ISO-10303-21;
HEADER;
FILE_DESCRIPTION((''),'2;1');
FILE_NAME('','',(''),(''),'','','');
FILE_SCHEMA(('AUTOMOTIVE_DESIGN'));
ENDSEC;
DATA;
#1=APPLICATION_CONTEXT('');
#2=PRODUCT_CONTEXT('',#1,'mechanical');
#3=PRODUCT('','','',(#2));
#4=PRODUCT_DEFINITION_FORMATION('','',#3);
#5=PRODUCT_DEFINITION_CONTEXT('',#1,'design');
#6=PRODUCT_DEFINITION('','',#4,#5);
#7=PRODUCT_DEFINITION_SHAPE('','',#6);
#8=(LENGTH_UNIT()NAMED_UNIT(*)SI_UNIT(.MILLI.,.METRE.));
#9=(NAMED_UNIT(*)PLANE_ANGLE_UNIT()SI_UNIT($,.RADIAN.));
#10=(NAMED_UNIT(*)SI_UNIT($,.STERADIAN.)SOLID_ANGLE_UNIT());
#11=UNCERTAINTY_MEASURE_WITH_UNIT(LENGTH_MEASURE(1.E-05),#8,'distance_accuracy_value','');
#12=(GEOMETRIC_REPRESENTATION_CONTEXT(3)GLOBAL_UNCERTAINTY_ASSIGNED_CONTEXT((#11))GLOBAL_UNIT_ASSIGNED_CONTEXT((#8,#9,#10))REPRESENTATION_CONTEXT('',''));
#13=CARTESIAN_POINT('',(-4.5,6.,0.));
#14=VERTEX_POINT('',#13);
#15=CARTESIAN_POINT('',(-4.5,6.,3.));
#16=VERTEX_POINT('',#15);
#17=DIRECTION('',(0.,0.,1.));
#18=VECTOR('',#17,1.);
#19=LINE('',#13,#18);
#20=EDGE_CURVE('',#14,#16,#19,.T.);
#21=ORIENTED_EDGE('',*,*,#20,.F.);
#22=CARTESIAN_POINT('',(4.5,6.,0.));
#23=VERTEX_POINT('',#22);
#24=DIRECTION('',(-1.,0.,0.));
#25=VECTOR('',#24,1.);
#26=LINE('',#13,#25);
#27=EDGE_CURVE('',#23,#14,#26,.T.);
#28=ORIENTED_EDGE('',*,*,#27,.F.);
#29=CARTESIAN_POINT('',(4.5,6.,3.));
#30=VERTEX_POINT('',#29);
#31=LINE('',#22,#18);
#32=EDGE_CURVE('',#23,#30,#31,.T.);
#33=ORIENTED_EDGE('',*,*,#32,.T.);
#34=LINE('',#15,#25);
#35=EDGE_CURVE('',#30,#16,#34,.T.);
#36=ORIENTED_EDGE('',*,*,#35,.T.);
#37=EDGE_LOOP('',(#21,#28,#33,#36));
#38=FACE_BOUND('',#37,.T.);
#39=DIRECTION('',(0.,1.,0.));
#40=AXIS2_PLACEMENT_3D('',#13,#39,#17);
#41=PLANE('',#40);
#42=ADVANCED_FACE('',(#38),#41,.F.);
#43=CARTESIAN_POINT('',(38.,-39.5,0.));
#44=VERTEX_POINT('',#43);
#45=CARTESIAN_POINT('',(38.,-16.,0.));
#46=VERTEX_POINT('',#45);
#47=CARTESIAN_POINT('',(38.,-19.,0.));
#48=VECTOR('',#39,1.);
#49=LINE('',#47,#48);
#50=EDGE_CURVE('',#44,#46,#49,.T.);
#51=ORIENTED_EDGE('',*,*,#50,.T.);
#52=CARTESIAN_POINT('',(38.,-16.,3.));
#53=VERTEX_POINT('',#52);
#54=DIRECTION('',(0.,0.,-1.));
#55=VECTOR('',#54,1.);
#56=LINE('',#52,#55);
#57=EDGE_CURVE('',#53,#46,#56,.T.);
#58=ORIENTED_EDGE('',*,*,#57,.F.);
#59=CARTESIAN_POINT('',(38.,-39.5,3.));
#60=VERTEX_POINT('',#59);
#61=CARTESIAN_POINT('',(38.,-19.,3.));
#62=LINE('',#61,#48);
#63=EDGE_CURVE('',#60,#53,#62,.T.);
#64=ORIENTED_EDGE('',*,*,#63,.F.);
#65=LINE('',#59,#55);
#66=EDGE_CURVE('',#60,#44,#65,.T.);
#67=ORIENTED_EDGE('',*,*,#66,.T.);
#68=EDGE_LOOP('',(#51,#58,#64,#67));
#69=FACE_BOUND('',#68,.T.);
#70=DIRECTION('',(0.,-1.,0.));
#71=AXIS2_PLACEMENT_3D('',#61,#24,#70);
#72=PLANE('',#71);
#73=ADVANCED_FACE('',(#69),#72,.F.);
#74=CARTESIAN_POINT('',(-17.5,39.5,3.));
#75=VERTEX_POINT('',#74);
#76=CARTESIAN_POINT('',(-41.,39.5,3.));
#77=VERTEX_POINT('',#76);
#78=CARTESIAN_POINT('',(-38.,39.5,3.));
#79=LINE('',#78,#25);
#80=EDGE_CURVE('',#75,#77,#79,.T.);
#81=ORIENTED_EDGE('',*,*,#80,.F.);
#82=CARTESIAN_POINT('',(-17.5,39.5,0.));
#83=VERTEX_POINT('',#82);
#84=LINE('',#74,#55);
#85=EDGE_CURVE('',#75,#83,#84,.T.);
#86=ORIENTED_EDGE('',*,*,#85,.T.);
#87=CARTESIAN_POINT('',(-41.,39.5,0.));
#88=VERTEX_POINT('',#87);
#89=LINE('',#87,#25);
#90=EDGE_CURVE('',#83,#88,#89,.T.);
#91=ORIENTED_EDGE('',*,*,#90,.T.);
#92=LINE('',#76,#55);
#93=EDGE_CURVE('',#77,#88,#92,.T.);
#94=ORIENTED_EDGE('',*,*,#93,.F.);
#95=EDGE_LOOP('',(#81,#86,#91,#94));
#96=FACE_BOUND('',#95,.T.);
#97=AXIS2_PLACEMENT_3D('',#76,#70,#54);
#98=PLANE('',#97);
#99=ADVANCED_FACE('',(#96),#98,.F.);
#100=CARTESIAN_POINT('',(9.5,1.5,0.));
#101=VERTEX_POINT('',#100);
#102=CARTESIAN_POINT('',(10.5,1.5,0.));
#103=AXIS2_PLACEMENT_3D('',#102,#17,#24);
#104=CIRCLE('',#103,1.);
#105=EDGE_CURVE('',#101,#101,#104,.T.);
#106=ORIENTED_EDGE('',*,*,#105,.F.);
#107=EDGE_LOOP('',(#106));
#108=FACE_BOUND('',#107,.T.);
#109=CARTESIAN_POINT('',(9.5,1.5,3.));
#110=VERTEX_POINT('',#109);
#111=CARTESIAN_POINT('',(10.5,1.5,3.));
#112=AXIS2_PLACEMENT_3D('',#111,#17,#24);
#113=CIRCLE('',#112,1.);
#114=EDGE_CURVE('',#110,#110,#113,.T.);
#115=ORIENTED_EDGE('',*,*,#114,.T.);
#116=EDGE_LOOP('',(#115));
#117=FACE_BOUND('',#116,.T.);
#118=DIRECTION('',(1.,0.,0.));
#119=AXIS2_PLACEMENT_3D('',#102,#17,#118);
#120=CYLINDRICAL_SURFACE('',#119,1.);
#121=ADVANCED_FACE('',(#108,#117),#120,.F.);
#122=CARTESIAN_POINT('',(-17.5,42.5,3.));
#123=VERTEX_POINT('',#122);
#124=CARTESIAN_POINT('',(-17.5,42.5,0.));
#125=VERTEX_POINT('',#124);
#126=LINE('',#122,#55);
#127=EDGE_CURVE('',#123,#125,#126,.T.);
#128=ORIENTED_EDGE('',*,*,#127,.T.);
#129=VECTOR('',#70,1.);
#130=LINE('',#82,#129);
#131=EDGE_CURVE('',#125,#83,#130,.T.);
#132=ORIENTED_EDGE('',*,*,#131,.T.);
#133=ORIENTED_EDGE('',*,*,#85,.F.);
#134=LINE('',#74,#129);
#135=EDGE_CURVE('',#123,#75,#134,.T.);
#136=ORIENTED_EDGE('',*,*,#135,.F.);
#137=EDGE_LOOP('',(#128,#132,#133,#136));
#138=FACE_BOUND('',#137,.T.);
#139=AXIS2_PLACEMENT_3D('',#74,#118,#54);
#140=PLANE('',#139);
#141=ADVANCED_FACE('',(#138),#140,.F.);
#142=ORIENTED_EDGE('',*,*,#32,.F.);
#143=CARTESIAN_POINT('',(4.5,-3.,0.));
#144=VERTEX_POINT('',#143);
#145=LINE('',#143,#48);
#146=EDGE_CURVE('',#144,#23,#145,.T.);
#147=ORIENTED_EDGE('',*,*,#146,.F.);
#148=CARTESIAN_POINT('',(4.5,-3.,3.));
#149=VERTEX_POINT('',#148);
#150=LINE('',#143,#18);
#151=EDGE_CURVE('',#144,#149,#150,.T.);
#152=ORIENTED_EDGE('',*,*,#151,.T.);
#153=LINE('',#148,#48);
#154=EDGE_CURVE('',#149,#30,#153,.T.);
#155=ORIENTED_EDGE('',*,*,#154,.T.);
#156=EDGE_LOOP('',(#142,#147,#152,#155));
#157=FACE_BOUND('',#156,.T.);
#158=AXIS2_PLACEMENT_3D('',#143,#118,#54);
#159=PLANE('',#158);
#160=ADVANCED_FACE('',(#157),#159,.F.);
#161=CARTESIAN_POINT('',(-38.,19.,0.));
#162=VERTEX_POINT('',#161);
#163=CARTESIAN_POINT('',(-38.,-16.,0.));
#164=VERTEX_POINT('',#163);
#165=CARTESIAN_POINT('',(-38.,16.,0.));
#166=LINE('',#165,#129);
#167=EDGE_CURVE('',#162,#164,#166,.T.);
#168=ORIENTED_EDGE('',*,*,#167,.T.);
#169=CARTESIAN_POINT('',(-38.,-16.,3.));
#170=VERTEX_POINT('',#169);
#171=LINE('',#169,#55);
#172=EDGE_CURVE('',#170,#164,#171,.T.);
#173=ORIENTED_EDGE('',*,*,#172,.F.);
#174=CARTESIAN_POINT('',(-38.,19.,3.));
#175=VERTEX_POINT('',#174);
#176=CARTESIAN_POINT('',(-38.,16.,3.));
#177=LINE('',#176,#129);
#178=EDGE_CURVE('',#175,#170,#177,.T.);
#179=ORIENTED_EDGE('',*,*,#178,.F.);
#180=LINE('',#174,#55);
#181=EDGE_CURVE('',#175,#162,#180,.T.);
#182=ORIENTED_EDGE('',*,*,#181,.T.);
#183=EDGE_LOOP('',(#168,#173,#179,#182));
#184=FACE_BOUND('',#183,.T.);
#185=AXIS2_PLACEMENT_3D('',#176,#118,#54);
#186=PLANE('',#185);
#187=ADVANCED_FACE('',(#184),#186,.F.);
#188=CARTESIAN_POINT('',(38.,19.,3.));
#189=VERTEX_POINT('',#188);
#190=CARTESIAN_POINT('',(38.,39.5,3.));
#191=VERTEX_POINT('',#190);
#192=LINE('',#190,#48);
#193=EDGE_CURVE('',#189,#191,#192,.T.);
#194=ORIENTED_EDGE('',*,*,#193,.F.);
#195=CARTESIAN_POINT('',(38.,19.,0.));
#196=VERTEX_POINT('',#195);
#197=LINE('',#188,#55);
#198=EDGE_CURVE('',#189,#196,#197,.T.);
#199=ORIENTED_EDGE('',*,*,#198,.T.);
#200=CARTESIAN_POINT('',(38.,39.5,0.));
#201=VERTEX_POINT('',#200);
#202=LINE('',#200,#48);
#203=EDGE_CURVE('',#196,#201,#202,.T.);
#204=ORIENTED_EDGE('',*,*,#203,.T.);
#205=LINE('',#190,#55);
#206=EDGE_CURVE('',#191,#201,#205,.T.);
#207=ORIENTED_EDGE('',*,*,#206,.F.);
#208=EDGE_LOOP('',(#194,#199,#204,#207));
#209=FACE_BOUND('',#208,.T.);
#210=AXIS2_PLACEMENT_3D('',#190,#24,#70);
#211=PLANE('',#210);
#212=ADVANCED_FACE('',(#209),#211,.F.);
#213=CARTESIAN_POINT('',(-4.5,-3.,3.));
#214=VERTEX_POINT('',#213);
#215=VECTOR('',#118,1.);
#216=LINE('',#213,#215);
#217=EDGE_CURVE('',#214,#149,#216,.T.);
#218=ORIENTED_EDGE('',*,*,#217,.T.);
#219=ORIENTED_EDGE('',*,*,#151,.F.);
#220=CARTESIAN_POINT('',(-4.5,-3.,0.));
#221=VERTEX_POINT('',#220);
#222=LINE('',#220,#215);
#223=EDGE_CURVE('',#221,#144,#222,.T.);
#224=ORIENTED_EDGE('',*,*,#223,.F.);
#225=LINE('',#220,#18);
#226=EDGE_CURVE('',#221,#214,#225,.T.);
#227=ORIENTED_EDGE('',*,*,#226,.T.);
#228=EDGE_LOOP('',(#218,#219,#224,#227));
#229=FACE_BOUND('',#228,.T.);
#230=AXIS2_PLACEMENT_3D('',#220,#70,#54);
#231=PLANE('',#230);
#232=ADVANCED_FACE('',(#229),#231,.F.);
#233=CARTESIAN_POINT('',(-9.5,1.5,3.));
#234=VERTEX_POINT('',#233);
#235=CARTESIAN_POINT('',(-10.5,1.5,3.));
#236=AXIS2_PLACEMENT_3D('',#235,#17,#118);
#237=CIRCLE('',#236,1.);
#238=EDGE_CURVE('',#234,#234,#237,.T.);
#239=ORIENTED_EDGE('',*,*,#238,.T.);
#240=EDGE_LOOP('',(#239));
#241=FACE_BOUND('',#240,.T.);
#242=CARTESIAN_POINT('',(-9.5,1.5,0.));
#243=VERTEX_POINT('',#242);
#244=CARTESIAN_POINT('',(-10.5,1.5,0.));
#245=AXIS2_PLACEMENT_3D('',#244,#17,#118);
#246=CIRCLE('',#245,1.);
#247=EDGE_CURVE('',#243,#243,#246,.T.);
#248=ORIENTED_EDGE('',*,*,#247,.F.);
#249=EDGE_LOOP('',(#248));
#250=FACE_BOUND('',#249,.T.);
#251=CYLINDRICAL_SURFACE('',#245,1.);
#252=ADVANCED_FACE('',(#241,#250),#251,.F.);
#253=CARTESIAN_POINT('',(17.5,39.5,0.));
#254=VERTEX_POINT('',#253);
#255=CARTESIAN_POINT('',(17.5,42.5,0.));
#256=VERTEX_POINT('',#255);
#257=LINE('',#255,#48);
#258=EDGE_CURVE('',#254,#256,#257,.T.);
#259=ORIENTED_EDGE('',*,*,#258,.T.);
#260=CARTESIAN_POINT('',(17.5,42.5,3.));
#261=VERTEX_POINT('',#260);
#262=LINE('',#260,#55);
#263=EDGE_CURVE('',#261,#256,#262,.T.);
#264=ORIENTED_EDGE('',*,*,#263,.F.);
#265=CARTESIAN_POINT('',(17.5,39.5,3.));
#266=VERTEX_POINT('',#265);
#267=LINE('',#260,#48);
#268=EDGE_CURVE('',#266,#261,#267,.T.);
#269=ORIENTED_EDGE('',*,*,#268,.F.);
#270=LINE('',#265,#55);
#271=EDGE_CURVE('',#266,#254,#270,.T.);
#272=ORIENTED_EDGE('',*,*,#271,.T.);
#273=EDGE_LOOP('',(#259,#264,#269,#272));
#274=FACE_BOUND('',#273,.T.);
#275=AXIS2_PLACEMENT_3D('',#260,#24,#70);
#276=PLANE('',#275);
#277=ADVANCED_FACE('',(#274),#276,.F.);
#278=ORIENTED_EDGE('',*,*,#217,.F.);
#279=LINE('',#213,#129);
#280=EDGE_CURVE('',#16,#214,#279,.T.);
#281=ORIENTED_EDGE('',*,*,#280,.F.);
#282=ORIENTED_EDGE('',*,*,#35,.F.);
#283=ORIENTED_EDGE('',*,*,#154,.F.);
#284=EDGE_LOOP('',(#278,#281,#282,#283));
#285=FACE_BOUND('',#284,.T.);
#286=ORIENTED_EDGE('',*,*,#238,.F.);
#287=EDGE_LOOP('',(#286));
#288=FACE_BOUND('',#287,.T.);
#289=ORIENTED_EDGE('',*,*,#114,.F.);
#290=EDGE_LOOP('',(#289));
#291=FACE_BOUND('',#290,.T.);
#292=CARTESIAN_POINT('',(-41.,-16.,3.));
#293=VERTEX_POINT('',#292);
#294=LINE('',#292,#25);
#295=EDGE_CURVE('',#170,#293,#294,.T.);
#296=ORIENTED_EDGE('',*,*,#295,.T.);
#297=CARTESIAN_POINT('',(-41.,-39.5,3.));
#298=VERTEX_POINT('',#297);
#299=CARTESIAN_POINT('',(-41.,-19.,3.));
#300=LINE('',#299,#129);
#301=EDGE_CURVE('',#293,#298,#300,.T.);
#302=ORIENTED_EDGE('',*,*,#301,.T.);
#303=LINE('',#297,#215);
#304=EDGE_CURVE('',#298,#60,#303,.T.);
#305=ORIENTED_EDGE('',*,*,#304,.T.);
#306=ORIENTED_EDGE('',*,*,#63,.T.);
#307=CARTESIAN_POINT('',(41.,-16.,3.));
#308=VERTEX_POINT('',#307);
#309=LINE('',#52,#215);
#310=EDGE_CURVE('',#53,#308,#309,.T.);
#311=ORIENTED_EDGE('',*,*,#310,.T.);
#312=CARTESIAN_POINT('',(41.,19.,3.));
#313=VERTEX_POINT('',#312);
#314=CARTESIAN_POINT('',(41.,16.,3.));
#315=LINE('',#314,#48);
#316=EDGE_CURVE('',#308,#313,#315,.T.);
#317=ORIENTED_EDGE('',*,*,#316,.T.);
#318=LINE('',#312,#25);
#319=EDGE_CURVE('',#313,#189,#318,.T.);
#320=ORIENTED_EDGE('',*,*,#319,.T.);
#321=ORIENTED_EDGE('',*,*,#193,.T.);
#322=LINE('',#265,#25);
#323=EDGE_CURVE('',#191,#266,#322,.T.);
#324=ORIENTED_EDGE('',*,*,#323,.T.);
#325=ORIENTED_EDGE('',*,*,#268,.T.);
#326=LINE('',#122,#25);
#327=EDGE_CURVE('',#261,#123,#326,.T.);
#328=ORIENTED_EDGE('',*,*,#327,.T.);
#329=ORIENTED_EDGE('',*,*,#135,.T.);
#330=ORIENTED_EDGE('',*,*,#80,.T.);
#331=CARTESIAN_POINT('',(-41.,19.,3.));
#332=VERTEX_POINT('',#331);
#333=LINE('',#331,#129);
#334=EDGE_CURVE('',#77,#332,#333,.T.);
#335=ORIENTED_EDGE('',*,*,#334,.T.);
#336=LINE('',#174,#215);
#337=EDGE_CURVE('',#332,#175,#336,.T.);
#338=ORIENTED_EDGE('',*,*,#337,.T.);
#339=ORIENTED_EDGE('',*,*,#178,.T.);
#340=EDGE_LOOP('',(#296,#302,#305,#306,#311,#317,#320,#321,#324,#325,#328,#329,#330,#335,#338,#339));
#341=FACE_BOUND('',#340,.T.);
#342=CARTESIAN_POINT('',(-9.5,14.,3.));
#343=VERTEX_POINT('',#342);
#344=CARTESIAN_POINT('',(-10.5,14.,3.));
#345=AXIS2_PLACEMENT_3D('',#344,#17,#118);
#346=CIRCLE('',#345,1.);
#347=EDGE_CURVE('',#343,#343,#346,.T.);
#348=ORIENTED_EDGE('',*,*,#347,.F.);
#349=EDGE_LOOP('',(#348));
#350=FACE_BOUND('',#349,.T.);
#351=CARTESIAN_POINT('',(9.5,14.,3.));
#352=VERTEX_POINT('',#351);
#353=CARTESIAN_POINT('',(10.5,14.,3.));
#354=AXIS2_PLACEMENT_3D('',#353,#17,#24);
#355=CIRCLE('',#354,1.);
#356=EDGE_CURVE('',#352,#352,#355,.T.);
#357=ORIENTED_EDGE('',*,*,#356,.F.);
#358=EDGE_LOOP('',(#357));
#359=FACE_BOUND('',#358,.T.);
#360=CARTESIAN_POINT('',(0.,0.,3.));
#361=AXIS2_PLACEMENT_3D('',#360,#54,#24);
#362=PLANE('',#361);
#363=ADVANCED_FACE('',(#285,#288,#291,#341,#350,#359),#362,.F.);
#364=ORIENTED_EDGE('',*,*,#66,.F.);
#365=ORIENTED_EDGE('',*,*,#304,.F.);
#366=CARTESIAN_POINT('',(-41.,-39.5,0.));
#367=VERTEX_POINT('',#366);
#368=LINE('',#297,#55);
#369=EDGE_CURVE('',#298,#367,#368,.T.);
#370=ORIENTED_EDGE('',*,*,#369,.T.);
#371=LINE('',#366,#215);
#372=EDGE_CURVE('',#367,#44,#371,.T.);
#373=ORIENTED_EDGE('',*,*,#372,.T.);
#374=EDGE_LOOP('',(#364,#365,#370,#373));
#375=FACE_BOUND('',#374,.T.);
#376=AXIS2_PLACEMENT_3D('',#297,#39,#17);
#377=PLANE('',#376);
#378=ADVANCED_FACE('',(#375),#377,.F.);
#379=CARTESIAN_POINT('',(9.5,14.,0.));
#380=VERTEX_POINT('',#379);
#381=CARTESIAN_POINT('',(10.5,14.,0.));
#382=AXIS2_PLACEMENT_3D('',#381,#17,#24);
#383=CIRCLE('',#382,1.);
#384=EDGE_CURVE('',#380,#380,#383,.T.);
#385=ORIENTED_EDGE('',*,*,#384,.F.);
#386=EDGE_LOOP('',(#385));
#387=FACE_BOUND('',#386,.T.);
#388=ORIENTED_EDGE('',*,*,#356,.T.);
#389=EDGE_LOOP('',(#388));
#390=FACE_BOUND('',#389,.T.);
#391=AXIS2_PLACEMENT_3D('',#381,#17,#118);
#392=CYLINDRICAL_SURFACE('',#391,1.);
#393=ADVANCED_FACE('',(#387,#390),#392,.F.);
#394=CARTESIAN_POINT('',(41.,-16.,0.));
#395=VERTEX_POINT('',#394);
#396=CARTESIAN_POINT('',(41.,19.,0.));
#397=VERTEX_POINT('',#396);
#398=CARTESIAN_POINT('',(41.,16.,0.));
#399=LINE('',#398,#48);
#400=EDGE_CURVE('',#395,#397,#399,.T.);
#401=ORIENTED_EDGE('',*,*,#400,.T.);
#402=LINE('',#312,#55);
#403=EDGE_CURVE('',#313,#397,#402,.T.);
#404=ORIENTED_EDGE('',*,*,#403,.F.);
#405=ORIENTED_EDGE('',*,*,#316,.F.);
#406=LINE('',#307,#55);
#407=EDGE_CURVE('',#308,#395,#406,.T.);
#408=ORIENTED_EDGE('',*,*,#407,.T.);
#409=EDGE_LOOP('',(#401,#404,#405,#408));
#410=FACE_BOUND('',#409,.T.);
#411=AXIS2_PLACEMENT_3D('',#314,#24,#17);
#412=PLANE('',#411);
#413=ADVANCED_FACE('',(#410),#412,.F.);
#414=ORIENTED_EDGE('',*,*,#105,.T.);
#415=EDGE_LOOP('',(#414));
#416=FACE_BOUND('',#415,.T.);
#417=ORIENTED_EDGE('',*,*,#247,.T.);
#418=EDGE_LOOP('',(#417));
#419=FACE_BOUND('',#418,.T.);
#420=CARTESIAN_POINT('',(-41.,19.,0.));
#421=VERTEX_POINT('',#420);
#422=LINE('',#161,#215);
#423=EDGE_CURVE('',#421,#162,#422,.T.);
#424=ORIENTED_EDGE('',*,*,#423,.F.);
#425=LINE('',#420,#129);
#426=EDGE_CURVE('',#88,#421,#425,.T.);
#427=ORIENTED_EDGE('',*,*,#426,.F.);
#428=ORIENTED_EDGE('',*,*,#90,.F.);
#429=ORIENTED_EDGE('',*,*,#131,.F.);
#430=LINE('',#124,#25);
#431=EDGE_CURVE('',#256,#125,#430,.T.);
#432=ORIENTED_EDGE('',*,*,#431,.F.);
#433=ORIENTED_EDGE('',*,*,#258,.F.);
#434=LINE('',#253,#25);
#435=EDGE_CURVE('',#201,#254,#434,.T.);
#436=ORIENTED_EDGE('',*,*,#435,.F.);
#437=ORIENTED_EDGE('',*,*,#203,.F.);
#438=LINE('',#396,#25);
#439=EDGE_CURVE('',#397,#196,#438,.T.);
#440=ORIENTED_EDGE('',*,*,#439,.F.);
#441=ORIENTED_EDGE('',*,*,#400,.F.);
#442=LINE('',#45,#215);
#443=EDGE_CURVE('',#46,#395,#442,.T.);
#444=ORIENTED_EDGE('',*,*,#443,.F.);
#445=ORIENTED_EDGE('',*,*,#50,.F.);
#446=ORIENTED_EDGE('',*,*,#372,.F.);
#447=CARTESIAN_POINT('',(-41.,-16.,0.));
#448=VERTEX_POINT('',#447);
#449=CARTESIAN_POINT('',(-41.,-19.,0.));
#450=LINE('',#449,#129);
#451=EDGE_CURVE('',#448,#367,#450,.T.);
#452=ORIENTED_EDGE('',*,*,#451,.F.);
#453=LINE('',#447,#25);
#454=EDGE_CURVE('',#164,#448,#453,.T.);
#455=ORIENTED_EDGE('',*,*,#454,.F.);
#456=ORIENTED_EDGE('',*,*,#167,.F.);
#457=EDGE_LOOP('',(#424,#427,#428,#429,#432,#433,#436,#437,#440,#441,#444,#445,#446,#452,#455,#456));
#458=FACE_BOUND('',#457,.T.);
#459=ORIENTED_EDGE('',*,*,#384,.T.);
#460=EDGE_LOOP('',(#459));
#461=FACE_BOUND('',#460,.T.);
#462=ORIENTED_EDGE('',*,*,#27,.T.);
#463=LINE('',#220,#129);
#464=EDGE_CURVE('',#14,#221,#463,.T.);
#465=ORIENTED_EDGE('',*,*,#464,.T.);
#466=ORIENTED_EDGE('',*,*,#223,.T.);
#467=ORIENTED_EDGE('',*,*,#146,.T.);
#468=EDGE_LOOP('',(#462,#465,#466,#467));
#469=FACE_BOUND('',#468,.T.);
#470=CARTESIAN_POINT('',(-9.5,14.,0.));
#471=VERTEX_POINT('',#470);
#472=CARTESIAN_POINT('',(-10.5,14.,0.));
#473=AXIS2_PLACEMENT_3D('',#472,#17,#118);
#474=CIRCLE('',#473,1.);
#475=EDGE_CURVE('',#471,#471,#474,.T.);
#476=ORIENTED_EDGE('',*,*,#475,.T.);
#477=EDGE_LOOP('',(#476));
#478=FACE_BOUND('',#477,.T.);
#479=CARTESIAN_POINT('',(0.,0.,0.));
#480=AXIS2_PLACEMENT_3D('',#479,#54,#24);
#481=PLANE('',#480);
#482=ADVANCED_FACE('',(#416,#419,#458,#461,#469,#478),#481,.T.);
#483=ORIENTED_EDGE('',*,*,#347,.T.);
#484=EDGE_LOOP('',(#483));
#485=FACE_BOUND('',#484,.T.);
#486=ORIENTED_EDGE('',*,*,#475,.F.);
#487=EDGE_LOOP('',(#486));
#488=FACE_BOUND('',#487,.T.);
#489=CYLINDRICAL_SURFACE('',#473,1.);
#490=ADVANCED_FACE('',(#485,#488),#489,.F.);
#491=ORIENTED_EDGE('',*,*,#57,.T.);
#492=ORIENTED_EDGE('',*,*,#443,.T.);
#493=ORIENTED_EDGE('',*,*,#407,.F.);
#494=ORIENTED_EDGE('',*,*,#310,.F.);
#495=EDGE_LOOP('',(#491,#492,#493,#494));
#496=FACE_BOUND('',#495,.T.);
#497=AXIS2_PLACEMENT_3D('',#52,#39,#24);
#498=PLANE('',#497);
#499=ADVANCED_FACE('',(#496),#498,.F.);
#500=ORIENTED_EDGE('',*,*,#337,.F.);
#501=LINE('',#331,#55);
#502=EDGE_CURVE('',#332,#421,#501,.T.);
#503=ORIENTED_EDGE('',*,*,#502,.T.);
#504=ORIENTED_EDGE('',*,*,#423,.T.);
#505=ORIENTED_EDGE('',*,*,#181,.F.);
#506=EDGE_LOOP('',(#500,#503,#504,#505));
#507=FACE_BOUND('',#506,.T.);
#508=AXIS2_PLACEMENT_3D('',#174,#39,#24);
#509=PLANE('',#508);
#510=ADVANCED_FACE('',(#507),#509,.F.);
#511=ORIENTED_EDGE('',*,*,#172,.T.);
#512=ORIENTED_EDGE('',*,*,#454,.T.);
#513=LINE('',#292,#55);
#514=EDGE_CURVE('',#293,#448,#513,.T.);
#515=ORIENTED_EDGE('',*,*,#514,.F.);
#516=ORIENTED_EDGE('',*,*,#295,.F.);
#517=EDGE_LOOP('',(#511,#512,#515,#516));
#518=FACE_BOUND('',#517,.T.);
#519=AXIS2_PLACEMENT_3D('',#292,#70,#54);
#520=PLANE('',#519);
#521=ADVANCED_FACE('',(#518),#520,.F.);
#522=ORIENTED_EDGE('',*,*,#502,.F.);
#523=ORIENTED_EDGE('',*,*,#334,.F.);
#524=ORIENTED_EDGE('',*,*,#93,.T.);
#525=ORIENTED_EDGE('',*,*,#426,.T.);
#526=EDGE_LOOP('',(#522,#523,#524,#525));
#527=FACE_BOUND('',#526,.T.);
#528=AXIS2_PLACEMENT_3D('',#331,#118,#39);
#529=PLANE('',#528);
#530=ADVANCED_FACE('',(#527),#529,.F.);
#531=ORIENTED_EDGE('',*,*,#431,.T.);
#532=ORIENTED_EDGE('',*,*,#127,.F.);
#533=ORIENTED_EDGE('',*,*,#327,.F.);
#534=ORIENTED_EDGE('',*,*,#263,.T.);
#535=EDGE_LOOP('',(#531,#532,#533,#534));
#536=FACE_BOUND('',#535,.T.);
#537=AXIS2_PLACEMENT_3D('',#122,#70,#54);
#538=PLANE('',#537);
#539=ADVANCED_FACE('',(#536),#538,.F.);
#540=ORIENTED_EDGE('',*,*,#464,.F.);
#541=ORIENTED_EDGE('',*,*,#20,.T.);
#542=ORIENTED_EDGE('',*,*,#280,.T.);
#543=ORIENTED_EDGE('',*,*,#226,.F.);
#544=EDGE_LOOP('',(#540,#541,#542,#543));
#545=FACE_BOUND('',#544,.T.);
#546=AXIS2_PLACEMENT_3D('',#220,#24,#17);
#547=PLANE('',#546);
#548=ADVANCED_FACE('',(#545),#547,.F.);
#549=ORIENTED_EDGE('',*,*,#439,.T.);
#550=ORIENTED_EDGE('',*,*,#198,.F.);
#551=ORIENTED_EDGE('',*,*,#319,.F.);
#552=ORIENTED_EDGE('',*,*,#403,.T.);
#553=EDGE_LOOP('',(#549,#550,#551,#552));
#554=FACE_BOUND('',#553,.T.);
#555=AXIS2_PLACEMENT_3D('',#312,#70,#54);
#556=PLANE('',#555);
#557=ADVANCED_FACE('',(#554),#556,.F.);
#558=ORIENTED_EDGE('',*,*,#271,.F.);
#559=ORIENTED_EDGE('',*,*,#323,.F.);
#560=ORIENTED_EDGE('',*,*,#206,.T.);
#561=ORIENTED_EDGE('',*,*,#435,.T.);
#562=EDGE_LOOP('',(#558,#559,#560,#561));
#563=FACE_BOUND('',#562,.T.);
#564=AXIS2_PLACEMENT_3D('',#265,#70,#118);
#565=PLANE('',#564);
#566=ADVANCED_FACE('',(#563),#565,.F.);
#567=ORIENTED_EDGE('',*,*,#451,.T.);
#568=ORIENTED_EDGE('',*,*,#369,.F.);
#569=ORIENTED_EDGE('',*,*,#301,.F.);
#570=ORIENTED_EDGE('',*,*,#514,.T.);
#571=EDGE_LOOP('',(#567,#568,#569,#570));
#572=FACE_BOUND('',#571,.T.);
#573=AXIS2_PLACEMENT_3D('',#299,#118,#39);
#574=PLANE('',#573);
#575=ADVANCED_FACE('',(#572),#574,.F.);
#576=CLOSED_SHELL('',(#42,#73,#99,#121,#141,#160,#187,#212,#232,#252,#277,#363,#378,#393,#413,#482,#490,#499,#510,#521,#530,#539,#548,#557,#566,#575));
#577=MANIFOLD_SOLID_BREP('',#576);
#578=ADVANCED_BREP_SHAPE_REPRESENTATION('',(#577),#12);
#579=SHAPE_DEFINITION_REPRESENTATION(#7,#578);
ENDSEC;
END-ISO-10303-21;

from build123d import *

# Parameters (mm, degrees)
BOSS_EXTRUDE1_DEPTH = 3
SKETCH2_R           = 1
SKETCH2_W           = 9
SKETCH2_H           = 9
CUT_EXTRUDE1_DEPTH  = 3


with BuildPart() as part:
    # Sketch1 → Boss-Extrude1 (new body)
    with BuildSketch(Plane.XY):
        Polygon((-38, 39.5), (-17.5, 39.5), (-17.5, 42.5), (17.5, 42.5), (17.5, 39.5), (38, 39.5), (38, 19), (41, 19), (41, 16), (41, -16), (38, -16), (38, -19), (38, -39.5), (-41, -39.5), (-41, -19), (-41, -16), (-38, -16), (-38, 16), (-38, 19), (-41, 19), (-41, 39.5), align=None)
    extrude(amount=BOSS_EXTRUDE1_DEPTH)

    # Sketch2 → Cut-Extrude1 (cut)
    with BuildSketch(Plane.XY.offset(3)):
        with Locations((-10.5, 14)):
            Circle(SKETCH2_R)
        with Locations((-10.5, 1.5)):
            Circle(SKETCH2_R)
        with Locations((10.5, 1.5)):
            Circle(SKETCH2_R)
        with Locations((10.5, 14)):
            Circle(SKETCH2_R)
        with Locations((0, 1.5)):
            Rectangle(SKETCH2_W, SKETCH2_H)
    extrude(amount=-CUT_EXTRUDE1_DEPTH, mode=Mode.SUBTRACT)


solid = part.part
